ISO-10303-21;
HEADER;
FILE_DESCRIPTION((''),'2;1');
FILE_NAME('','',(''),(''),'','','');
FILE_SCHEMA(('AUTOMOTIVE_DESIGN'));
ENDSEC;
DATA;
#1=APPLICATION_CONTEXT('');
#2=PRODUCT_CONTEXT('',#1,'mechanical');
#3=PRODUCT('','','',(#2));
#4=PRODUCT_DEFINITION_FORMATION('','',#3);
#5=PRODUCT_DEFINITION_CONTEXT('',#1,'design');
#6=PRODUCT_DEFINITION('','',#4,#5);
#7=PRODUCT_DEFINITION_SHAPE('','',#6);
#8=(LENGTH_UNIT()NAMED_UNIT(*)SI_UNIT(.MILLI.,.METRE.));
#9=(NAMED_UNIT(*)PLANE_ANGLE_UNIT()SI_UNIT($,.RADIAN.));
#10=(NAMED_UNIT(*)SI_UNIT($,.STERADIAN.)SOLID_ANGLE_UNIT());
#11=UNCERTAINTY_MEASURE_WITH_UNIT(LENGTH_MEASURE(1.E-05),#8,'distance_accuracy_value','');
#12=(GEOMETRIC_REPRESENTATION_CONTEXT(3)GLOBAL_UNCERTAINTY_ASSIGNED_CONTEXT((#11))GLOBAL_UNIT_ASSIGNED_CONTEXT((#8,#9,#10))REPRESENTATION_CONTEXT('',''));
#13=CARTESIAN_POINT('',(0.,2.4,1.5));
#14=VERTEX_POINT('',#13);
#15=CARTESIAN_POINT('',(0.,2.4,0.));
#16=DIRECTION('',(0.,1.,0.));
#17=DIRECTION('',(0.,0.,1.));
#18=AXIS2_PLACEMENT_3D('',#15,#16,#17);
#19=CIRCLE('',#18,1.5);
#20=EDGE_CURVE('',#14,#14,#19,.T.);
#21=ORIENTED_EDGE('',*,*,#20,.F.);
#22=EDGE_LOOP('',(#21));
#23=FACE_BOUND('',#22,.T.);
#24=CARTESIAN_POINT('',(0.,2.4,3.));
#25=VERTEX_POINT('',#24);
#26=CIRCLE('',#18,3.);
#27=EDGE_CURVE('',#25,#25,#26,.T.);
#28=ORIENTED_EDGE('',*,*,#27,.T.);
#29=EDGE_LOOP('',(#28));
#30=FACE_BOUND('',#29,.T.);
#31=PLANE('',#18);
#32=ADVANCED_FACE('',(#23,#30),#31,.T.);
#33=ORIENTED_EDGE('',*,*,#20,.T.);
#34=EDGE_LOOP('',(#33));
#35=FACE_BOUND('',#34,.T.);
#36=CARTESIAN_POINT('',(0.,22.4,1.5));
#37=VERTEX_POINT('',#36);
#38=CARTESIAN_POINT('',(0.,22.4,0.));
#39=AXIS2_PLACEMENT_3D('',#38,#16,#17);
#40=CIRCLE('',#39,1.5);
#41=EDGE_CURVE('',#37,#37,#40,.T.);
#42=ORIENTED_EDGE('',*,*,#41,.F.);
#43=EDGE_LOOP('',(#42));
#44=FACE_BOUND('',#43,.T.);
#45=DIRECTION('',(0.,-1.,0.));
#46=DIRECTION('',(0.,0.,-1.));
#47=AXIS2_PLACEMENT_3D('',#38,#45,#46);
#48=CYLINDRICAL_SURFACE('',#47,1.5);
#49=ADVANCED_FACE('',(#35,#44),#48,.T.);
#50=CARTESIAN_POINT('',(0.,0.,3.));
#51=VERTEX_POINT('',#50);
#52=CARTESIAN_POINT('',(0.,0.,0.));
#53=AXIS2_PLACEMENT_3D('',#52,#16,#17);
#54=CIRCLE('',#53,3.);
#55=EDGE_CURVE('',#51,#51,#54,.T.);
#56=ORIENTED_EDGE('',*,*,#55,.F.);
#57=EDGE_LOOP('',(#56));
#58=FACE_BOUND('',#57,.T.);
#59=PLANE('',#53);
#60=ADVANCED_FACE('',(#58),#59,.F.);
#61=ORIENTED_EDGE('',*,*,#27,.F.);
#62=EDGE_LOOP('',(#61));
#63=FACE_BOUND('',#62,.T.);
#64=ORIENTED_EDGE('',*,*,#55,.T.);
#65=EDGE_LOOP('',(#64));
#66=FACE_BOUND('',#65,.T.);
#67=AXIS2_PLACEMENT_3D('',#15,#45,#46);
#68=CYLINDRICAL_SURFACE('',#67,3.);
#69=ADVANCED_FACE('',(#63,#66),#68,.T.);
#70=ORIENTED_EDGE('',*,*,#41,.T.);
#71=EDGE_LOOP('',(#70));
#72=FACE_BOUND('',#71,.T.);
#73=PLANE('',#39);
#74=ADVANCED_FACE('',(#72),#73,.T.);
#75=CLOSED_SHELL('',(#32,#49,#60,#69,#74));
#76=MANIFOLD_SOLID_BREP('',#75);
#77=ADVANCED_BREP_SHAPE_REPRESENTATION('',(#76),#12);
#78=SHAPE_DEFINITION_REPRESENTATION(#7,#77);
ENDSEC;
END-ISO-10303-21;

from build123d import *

# Parameters (mm, degrees)
SKETCH_1_R      = 3
EXTRUDE_1_DEPTH = 2.4
SKETCH_2_R      = 1.5
EXTRUDE_2_DEPTH = 20


with BuildPart() as part:
    # Эскиз1 → Бобышка-Вытянуть1 (new body)
    with BuildSketch(Plane(origin=(0, 0, 0), x_dir=(1, 0, 0), z_dir=(0, 1, 0))):
        with Locations(Location((0, 0, 0), (0, 0, 270))):
            Circle(SKETCH_1_R)
    extrude(amount=EXTRUDE_1_DEPTH)

    # Эскиз2 → Бобышка-Вытянуть2 (add)
    with BuildSketch(Plane(origin=(0, 2.4, 0), x_dir=(1, 0, 0), z_dir=(0, 1, 0))):
        with Locations(Location((0, 0, 0), (0, 0, 270))):
            Circle(SKETCH_2_R)
    extrude(amount=EXTRUDE_2_DEPTH)


solid = part.part
